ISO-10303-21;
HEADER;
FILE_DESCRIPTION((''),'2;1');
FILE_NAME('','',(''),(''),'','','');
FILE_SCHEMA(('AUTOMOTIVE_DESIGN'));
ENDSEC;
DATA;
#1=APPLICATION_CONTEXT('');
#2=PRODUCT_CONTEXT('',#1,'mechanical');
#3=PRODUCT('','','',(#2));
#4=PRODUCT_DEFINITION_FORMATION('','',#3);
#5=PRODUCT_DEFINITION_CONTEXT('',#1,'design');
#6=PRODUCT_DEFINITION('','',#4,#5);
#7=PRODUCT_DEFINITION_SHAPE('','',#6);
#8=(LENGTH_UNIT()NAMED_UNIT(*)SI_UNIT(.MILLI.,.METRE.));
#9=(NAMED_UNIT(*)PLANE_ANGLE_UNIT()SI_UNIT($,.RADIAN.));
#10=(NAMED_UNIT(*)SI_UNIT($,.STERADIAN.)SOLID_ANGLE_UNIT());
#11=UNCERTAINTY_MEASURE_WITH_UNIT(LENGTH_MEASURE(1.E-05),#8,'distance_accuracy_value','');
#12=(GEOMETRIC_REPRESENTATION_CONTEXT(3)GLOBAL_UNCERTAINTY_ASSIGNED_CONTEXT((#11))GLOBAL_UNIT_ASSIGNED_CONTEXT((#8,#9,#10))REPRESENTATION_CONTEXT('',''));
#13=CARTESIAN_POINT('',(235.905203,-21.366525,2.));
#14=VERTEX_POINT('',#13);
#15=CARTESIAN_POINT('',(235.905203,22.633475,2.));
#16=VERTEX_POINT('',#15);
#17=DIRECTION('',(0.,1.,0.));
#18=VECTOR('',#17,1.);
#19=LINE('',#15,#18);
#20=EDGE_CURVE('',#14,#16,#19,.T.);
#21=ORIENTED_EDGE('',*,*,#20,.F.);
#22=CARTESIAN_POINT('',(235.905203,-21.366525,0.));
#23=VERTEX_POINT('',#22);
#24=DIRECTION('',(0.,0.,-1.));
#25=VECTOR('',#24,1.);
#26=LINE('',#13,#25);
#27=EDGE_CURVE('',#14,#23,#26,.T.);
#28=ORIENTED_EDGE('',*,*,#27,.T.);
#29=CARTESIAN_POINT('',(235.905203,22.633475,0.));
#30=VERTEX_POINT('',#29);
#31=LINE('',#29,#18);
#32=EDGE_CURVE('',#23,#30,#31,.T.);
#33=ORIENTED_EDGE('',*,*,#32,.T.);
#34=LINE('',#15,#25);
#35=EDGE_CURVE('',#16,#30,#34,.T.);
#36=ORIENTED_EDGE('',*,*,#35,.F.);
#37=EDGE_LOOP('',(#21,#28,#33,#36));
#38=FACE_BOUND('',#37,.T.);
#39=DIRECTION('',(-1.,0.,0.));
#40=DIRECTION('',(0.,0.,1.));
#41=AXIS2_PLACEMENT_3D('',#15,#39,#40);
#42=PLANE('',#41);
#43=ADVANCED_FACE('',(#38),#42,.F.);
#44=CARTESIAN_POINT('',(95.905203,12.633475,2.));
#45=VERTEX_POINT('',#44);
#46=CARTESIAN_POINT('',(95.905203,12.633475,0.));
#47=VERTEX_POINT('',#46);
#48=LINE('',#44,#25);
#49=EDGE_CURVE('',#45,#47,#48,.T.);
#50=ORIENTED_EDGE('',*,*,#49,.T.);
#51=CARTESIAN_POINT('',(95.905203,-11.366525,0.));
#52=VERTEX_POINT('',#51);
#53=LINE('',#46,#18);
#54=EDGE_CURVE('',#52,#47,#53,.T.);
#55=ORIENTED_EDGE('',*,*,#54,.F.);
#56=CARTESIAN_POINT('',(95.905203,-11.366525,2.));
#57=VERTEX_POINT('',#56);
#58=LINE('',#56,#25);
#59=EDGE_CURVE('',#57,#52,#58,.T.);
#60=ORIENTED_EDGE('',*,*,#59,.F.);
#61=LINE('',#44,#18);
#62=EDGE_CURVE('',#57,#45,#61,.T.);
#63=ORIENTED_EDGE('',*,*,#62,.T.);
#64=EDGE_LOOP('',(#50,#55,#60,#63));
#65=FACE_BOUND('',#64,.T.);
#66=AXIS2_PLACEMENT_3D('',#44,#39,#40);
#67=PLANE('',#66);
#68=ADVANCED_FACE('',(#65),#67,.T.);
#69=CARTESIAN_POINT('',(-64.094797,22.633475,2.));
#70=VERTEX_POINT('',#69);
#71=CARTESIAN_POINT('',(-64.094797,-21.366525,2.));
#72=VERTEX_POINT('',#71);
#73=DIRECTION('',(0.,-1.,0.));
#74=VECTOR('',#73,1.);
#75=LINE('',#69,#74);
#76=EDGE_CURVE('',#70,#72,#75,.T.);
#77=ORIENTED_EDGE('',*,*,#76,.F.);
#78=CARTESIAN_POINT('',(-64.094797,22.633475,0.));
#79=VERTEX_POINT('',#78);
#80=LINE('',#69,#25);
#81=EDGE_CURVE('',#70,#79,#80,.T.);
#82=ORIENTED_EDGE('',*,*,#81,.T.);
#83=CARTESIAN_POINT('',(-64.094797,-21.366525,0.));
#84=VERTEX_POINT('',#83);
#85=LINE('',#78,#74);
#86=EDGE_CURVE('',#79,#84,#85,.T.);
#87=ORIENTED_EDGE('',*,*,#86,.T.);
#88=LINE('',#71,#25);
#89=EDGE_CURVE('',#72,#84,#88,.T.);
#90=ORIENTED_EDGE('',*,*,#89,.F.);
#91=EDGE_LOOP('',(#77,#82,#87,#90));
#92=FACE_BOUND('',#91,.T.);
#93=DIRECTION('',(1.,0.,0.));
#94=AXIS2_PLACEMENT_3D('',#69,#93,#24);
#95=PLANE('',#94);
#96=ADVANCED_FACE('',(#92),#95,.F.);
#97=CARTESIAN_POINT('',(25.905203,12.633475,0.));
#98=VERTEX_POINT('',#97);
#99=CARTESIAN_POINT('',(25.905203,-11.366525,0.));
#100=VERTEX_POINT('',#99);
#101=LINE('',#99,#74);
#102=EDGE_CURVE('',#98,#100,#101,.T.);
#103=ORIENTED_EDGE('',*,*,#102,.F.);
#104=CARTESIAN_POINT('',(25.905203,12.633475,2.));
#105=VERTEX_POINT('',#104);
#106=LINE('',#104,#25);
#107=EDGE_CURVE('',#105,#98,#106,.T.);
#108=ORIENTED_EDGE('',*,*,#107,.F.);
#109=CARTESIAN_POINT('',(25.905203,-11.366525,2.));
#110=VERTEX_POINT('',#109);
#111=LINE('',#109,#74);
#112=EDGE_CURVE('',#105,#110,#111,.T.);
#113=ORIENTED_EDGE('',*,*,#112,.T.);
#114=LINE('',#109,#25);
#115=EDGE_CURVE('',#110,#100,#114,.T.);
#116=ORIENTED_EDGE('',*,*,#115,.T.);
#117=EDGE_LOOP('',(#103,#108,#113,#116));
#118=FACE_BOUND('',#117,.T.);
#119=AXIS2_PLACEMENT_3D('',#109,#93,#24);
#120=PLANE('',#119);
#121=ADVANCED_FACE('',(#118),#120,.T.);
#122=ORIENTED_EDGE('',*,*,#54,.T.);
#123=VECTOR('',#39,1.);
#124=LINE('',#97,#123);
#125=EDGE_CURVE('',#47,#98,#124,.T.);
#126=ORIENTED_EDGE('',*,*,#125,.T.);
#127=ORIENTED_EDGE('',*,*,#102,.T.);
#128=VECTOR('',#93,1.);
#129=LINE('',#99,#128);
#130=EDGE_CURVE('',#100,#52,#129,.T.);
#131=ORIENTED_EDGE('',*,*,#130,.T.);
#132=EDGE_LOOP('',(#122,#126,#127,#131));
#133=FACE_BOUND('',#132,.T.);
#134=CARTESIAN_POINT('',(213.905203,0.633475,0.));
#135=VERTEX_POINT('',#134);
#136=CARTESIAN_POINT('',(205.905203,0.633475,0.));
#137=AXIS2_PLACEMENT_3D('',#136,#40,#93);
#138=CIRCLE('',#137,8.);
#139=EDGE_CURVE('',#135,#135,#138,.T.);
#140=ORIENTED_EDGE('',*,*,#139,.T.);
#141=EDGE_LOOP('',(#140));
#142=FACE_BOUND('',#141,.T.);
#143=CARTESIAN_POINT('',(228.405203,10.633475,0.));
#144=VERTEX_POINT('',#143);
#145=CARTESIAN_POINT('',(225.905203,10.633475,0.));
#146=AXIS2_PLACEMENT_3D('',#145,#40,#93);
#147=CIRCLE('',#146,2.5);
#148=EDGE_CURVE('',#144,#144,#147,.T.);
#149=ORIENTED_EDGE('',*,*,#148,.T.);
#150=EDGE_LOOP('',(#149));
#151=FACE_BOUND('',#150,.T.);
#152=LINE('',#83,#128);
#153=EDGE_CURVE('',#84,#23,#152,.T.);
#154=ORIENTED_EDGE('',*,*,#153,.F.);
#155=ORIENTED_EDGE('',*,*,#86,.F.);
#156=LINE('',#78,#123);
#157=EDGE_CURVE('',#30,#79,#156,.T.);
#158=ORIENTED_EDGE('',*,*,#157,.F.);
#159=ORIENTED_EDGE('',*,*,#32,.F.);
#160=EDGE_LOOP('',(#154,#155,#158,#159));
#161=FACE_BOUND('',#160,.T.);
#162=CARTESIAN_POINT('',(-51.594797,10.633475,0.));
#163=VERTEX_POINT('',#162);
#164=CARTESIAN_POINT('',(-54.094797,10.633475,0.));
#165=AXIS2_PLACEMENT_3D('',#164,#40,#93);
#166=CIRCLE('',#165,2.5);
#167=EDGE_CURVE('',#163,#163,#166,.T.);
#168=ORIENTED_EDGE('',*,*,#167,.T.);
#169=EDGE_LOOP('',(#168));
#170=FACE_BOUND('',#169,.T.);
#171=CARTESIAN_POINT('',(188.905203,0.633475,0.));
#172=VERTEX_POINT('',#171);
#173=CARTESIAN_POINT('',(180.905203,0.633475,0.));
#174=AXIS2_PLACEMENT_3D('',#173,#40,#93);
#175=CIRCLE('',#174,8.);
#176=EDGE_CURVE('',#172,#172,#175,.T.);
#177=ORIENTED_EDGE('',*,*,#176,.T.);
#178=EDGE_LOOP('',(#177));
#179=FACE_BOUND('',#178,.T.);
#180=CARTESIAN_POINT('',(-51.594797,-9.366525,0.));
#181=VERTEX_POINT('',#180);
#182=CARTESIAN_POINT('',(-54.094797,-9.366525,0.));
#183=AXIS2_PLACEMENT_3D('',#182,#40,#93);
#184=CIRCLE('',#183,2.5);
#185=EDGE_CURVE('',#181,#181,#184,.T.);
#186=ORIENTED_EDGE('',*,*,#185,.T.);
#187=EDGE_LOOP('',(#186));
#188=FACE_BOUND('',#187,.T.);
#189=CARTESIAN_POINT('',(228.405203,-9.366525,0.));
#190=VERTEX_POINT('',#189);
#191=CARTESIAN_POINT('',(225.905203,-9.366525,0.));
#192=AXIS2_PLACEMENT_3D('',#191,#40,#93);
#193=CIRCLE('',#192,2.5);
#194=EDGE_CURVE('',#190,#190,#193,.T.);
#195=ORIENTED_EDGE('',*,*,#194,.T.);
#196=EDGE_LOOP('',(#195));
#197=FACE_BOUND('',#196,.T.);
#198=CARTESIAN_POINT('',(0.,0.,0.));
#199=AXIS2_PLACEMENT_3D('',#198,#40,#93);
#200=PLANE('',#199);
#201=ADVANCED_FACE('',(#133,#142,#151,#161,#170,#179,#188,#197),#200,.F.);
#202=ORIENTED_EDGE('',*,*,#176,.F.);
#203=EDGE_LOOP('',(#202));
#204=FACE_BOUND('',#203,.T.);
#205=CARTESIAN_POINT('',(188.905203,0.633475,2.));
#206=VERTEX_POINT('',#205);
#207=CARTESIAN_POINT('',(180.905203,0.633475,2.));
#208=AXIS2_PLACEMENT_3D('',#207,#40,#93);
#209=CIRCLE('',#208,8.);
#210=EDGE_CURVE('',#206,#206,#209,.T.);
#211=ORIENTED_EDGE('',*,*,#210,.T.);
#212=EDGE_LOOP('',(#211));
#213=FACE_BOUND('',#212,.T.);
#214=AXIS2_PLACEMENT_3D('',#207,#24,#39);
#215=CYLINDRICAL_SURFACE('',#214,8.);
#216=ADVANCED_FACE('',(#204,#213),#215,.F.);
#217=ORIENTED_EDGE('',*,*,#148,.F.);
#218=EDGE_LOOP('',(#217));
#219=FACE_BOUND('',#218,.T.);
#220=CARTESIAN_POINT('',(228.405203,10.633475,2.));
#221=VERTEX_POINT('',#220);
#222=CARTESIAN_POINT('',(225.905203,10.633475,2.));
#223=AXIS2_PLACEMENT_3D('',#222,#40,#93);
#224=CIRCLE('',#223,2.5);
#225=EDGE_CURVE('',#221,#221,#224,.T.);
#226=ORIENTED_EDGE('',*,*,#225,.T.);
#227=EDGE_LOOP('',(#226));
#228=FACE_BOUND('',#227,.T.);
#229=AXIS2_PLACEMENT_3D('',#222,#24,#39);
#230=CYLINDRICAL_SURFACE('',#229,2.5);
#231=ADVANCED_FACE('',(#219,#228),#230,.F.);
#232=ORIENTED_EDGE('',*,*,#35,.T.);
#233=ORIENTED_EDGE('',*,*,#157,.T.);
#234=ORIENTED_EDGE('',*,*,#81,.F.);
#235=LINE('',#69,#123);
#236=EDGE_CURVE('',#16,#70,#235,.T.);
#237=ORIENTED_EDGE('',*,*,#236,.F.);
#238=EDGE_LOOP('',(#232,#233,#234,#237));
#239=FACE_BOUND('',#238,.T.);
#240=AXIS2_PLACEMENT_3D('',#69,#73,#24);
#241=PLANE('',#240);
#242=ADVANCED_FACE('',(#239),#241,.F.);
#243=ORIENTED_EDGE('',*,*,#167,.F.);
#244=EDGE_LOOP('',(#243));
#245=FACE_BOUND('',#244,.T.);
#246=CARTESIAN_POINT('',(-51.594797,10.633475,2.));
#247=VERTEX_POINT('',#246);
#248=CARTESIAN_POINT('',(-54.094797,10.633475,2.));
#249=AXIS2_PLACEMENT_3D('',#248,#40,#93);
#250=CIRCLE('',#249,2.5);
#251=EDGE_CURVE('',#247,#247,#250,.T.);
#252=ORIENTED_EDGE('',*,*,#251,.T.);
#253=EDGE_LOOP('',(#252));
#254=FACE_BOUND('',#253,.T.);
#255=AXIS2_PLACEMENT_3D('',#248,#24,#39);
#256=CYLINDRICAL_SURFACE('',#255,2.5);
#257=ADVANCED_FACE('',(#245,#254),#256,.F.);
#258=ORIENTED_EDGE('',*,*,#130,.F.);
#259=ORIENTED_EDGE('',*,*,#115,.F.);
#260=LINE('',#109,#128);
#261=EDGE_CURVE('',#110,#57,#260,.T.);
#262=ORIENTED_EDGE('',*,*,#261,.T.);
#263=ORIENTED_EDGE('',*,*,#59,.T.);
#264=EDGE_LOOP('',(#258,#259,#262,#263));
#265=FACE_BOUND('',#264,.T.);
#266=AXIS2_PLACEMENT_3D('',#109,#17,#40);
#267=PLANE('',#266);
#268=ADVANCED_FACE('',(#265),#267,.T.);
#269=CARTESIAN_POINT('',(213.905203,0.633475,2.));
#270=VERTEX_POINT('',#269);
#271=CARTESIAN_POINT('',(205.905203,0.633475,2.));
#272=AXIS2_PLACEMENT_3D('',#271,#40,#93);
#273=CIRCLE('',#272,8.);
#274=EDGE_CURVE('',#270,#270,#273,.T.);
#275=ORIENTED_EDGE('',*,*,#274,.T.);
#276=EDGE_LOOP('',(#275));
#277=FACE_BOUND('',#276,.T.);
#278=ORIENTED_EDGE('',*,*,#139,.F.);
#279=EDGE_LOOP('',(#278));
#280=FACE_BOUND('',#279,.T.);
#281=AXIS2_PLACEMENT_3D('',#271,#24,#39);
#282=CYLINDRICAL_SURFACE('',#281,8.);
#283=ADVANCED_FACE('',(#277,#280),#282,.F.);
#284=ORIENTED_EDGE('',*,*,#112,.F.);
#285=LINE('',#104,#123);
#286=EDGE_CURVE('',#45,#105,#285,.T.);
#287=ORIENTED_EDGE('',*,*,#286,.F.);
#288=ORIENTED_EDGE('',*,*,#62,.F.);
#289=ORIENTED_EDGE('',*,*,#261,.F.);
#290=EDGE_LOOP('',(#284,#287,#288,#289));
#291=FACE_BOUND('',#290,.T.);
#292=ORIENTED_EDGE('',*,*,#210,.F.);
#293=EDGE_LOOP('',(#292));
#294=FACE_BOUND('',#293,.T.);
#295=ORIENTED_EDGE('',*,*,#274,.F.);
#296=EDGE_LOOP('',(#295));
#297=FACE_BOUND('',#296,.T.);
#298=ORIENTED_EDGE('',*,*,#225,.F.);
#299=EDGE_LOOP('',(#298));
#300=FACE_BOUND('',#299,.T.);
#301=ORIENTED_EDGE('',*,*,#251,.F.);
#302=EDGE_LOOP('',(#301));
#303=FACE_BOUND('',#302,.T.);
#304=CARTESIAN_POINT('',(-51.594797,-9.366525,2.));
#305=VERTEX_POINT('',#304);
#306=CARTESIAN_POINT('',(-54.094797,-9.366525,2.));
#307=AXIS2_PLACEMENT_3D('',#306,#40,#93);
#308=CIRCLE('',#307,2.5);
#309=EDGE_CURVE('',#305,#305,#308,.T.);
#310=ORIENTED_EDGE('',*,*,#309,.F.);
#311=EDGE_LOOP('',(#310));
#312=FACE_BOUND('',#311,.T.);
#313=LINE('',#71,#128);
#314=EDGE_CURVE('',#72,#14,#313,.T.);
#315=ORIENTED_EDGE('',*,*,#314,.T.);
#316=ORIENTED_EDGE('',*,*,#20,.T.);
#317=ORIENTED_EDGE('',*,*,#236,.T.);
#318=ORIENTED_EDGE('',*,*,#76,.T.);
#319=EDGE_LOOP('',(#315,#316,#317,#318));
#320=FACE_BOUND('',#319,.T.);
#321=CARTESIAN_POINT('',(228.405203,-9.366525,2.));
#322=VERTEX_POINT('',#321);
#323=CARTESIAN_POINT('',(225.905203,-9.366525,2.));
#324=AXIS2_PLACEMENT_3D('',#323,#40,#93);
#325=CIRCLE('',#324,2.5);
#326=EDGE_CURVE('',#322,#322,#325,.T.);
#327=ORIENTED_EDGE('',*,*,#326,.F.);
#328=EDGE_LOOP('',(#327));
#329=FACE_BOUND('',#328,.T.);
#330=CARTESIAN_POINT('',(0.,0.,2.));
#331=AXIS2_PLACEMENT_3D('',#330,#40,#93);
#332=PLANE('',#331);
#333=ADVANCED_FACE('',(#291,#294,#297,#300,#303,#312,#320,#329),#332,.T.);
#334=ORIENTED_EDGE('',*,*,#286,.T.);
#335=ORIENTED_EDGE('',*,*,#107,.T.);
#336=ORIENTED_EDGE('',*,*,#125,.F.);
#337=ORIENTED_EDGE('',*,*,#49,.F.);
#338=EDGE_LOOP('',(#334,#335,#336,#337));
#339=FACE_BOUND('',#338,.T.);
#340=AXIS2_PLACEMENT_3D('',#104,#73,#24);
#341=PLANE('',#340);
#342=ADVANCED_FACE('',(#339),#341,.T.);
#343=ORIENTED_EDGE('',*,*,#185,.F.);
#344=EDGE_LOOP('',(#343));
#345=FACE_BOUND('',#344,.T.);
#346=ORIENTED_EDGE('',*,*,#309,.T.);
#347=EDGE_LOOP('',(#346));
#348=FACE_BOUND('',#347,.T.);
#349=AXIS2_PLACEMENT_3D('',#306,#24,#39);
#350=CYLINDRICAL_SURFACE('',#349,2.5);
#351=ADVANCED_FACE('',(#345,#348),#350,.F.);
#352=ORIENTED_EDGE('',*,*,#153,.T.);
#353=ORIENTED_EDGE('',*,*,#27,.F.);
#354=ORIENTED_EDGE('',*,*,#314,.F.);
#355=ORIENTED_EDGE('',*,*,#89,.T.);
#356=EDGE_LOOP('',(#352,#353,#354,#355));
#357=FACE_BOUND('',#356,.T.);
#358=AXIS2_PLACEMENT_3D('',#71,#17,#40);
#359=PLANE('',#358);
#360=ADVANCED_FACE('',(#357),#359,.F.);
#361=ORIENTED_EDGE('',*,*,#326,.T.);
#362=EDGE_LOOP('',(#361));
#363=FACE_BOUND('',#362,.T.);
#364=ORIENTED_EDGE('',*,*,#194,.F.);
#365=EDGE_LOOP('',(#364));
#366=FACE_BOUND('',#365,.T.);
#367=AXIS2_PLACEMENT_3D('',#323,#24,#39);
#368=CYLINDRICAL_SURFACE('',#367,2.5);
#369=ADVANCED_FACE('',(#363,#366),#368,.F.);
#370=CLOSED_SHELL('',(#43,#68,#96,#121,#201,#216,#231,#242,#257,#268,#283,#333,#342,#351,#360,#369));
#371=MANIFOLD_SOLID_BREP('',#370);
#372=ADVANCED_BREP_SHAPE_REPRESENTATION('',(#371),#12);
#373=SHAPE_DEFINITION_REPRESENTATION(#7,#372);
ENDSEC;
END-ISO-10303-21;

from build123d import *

# Parameters (mm, degrees)
ESBO_O1_W                = 300
ESBO_O1_H                = 44
ESBO_O1_R                = 2.5
ESBO_O1_R_2              = 8
ESBO_O1_W_2              = 70
ESBO_O1_H_2              = 24
RESSALTO_EXTRUS_O1_DEPTH = 2


with BuildPart() as part:
    # Esboço1 → Ressalto-extrusão1 (new body)
    with BuildSketch(Plane.XY):
        with Locations((85.905203177, 0.633475128)):
            Rectangle(ESBO_O1_W, ESBO_O1_H)
        with Locations((-54.094796823, 10.633475128)):
            Circle(ESBO_O1_R, mode=Mode.SUBTRACT)
        with Locations((-54.094796823, -9.366524872)):
            Circle(ESBO_O1_R, mode=Mode.SUBTRACT)
        with Locations((225.905203177, 10.633475128)):
            Circle(ESBO_O1_R, mode=Mode.SUBTRACT)
        with Locations((225.905203177, -9.366524872)):
            Circle(ESBO_O1_R, mode=Mode.SUBTRACT)
        with Locations((205.905203177, 0.633475128)):
            Circle(ESBO_O1_R_2, mode=Mode.SUBTRACT)
        with Locations((180.905203177, 0.633475128)):
            Circle(ESBO_O1_R_2, mode=Mode.SUBTRACT)
        with Locations((60.905203177, 0.633475128)):
            Rectangle(ESBO_O1_W_2, ESBO_O1_H_2, mode=Mode.SUBTRACT)
    extrude(amount=RESSALTO_EXTRUS_O1_DEPTH)


solid = part.part
